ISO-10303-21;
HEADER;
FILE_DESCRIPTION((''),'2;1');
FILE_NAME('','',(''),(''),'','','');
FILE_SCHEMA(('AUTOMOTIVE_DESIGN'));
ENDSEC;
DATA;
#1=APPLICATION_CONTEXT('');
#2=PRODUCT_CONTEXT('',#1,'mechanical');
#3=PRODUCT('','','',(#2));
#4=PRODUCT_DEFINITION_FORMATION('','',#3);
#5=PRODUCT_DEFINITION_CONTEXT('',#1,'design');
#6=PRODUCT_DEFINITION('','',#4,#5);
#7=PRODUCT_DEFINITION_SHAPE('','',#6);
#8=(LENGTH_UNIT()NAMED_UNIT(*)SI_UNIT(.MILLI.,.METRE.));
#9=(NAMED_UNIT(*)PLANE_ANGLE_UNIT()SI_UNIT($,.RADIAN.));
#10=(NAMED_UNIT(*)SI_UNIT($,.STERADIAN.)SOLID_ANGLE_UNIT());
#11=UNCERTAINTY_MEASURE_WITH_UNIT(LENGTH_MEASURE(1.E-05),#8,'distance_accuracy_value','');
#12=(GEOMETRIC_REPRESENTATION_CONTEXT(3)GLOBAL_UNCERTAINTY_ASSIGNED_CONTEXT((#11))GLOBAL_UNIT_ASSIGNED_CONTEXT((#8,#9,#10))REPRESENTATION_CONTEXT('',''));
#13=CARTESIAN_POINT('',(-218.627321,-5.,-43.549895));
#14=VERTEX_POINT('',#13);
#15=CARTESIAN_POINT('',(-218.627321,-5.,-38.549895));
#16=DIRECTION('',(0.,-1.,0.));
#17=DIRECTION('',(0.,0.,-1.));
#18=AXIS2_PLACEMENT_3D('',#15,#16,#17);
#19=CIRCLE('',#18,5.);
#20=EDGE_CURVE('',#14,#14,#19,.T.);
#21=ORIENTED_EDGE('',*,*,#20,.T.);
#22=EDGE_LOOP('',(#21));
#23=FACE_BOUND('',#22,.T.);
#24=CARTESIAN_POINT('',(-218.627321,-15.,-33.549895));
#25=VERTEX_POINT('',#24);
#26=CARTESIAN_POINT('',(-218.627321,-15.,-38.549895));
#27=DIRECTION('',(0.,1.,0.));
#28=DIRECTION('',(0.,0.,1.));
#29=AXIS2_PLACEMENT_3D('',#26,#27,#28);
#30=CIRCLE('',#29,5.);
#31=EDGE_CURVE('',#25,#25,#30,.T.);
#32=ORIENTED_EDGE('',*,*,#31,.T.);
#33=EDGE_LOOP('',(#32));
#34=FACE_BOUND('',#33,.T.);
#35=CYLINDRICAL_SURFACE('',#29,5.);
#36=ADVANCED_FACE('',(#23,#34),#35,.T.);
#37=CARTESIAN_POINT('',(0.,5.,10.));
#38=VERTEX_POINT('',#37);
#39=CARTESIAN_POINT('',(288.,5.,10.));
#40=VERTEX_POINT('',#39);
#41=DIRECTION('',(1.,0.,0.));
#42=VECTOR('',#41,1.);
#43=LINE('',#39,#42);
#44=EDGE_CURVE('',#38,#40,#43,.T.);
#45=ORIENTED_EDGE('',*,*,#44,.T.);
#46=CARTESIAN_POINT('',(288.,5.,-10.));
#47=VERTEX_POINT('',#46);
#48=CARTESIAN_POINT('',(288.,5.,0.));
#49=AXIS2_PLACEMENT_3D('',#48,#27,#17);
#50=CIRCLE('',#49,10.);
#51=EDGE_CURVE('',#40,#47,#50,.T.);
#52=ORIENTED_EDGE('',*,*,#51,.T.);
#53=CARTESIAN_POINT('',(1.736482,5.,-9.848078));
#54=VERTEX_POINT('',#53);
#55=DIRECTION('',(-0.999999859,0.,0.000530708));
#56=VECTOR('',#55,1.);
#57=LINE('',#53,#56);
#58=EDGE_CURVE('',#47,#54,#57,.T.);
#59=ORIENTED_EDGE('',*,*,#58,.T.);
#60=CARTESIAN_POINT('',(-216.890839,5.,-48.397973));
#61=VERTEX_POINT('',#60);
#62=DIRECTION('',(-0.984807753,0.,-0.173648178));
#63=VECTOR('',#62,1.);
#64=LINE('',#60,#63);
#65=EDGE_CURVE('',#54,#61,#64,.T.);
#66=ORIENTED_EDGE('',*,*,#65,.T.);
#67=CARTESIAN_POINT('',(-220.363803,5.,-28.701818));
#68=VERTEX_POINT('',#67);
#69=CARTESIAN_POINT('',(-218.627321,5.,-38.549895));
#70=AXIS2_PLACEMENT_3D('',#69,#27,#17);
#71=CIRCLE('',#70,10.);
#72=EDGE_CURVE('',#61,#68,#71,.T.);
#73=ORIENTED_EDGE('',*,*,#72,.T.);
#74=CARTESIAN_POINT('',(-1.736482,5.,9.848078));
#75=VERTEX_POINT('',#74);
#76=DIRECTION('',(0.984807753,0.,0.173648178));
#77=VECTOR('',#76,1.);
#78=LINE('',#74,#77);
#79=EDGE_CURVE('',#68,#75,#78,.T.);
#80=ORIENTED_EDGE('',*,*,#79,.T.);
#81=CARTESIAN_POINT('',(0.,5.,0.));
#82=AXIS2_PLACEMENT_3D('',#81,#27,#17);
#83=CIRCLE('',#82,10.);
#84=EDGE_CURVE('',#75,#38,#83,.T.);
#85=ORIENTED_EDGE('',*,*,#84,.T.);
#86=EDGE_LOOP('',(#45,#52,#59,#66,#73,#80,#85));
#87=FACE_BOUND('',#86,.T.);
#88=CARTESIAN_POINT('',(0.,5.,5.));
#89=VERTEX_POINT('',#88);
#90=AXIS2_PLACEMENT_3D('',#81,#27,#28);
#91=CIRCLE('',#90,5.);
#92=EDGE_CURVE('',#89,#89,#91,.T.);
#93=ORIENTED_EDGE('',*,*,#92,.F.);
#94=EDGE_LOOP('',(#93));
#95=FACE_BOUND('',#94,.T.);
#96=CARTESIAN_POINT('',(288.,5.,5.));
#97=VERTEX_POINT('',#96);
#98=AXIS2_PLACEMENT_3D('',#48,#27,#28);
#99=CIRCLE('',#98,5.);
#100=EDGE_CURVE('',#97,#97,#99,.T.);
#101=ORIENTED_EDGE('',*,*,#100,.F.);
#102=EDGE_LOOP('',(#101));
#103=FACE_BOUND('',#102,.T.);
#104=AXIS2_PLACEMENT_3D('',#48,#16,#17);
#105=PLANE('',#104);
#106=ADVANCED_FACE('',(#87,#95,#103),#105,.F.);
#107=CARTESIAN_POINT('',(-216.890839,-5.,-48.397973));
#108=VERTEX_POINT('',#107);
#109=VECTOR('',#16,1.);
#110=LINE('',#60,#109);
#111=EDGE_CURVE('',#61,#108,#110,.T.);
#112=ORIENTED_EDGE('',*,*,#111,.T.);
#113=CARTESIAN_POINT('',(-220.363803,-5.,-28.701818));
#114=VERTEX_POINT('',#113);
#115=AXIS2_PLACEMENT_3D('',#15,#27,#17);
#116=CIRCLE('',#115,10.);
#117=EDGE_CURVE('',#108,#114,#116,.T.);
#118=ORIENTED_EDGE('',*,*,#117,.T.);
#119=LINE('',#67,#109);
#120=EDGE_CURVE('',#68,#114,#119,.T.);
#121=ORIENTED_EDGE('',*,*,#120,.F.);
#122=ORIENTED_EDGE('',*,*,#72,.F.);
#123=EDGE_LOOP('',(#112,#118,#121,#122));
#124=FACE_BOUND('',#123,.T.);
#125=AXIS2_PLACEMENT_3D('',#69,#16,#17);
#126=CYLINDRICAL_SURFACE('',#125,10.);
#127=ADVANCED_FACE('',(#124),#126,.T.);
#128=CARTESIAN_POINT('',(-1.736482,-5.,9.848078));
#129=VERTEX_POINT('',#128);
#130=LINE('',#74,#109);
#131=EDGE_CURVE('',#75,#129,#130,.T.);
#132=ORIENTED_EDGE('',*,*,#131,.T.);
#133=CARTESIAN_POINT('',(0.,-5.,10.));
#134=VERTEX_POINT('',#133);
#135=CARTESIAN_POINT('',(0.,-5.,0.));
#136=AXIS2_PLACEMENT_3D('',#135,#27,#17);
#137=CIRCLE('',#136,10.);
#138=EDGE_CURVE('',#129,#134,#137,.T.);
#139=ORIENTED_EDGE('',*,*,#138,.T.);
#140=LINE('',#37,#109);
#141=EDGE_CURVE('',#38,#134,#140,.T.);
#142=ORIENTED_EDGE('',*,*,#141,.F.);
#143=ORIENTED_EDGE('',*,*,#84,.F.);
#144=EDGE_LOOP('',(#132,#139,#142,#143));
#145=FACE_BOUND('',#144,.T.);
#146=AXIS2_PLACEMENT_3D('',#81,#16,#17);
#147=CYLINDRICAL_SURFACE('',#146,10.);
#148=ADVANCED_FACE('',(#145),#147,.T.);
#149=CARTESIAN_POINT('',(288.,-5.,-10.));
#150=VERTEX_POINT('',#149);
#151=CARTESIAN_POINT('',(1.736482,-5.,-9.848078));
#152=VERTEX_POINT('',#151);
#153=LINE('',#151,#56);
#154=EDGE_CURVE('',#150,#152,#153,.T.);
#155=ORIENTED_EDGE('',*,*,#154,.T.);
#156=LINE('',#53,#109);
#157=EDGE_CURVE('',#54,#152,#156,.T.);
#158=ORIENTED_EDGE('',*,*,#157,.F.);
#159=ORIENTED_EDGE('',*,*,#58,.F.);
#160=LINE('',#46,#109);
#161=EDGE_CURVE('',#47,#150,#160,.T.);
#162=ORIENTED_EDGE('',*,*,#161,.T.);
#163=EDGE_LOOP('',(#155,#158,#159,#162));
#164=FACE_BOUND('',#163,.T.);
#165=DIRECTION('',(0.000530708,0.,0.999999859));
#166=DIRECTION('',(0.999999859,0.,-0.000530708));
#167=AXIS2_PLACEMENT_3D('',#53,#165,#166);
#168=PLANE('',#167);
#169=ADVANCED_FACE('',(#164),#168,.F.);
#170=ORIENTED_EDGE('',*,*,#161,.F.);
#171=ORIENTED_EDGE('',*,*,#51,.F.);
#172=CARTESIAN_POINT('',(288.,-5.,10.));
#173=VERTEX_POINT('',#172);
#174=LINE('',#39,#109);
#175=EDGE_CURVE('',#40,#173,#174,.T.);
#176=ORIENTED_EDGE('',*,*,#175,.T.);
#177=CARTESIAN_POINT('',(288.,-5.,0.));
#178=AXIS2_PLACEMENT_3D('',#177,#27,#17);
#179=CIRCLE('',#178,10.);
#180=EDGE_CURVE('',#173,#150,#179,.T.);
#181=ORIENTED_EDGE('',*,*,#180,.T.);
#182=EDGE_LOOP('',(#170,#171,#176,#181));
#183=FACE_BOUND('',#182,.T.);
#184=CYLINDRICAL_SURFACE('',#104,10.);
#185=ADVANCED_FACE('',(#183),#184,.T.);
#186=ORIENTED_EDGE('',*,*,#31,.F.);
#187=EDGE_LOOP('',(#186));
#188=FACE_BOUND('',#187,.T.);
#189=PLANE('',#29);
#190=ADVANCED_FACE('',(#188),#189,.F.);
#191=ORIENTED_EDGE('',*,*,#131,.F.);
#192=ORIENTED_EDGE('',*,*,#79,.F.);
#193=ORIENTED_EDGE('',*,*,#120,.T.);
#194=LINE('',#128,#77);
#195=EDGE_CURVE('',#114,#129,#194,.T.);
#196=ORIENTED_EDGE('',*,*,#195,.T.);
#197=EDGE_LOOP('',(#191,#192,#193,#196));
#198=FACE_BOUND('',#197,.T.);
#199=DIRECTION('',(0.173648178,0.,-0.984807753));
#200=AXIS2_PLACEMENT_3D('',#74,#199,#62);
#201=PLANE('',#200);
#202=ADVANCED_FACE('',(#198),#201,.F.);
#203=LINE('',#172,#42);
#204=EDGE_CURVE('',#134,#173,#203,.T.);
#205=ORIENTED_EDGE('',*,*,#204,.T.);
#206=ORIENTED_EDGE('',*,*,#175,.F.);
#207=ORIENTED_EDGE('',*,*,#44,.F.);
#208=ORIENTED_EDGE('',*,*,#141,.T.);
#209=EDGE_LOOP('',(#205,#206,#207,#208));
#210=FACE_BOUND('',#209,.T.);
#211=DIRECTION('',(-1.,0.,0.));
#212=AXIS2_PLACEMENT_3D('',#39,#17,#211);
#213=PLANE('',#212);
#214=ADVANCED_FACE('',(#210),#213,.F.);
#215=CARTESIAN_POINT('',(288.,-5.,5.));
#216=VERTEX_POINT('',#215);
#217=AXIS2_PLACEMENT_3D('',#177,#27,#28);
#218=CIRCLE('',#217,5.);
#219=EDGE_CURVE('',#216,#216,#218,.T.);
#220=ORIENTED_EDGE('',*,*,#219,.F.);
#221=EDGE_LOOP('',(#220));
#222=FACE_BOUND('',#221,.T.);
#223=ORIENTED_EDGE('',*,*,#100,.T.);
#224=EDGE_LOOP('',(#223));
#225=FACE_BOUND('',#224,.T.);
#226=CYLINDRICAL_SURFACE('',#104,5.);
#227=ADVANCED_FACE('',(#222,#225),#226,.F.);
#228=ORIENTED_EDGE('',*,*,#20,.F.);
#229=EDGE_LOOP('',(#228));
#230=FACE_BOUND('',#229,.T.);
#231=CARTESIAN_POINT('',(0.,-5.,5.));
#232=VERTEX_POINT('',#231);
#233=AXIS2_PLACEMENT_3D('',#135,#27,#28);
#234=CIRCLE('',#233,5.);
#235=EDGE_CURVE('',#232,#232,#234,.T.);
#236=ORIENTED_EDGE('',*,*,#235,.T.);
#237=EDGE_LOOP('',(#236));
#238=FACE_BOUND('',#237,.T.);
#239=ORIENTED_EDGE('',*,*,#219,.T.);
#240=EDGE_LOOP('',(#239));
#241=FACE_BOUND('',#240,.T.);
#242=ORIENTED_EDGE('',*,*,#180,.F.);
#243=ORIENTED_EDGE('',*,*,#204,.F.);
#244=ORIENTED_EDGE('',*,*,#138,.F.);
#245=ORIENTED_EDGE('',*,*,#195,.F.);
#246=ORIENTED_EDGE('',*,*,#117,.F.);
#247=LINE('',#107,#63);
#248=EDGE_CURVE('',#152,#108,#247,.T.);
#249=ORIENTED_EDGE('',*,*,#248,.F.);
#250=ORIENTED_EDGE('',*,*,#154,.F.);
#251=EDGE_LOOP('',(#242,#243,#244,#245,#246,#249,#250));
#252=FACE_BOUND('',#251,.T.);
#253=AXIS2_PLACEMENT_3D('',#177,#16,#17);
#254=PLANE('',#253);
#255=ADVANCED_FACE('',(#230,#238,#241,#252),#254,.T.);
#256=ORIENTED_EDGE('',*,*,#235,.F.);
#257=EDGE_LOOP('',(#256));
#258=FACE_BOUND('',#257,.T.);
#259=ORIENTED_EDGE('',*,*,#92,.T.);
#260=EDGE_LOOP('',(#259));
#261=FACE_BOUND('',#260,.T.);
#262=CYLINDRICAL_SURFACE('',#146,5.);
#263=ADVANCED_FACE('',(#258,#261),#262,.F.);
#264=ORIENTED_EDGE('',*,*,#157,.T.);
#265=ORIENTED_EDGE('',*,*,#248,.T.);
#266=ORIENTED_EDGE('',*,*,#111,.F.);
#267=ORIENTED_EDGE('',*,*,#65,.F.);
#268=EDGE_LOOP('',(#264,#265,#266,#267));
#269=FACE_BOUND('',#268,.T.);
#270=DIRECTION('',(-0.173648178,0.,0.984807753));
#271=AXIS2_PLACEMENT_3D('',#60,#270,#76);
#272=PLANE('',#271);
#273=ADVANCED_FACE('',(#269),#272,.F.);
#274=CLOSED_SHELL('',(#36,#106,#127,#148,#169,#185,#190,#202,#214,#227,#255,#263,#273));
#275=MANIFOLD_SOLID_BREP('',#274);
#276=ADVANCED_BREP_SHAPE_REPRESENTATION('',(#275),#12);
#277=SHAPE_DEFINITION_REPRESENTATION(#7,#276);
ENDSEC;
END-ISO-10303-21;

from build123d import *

# Parameters (mm, degrees)
SKETCH1_R                = 5
BOSS_EXTRUDE1_DEPTH      = 5
BOSS_EXTRUDE2_DEPTH      = 5
BOSS_EXTRUDE2_DEPTH_BACK = 15
SKETCH2_R                = 5


with BuildPart() as part:
    # Sketch1 → Boss-Extrude1 (new, symmetric)
    with BuildSketch(Plane(origin=(0, 0, 0), x_dir=(1, 0, 0), z_dir=(0, 1, 0))):
        with BuildLine():
            Line((-216.890839392, 48.397972972), (1.736481777, 9.84807753))
            Line((1.736481777, 9.84807753), (288, 10))
            ThreePointArc((288, 10), (298, 0), (288, -10))
            Line((288, -10), (0, -10))
            ThreePointArc((0, -10), (-0.871557427, -9.961946981), (-1.736481777, -9.84807753))
            Line((-1.736481777, -9.84807753), (-220.363802945, 28.701817912))
            ThreePointArc((-220.363802945, 28.701817912), (-228.475398699, 40.286377219), (-216.890839392, 48.397972972))
        make_face()
        with Locations(Location((-218.627321169, 38.549895442, 0), (0, 0, 270))):
            Circle(SKETCH1_R, mode=Mode.SUBTRACT)
        with Locations(Location((0, 0, 0), (0, 0, 270))):
            Circle(SKETCH1_R, mode=Mode.SUBTRACT)
        with Locations(Location((288, 0, 0), (0, 0, 270))):
            Circle(SKETCH1_R, mode=Mode.SUBTRACT)
    extrude(amount=BOSS_EXTRUDE1_DEPTH, both=True)

    # Sketch2 → Boss-Extrude2 (add, two sides: drawn at the far end of the back side and taken through both)
    with BuildSketch(Plane(origin=(0, 0, 0), x_dir=(1, 0, 0), z_dir=(0, 1, 0)).offset(-BOSS_EXTRUDE2_DEPTH_BACK)):
        with Locations(Location((-218.627321169, 38.549895442, 0), (0, 0, 270))):
            Circle(SKETCH2_R)
    extrude(amount=BOSS_EXTRUDE2_DEPTH + BOSS_EXTRUDE2_DEPTH_BACK)


solid = part.part
